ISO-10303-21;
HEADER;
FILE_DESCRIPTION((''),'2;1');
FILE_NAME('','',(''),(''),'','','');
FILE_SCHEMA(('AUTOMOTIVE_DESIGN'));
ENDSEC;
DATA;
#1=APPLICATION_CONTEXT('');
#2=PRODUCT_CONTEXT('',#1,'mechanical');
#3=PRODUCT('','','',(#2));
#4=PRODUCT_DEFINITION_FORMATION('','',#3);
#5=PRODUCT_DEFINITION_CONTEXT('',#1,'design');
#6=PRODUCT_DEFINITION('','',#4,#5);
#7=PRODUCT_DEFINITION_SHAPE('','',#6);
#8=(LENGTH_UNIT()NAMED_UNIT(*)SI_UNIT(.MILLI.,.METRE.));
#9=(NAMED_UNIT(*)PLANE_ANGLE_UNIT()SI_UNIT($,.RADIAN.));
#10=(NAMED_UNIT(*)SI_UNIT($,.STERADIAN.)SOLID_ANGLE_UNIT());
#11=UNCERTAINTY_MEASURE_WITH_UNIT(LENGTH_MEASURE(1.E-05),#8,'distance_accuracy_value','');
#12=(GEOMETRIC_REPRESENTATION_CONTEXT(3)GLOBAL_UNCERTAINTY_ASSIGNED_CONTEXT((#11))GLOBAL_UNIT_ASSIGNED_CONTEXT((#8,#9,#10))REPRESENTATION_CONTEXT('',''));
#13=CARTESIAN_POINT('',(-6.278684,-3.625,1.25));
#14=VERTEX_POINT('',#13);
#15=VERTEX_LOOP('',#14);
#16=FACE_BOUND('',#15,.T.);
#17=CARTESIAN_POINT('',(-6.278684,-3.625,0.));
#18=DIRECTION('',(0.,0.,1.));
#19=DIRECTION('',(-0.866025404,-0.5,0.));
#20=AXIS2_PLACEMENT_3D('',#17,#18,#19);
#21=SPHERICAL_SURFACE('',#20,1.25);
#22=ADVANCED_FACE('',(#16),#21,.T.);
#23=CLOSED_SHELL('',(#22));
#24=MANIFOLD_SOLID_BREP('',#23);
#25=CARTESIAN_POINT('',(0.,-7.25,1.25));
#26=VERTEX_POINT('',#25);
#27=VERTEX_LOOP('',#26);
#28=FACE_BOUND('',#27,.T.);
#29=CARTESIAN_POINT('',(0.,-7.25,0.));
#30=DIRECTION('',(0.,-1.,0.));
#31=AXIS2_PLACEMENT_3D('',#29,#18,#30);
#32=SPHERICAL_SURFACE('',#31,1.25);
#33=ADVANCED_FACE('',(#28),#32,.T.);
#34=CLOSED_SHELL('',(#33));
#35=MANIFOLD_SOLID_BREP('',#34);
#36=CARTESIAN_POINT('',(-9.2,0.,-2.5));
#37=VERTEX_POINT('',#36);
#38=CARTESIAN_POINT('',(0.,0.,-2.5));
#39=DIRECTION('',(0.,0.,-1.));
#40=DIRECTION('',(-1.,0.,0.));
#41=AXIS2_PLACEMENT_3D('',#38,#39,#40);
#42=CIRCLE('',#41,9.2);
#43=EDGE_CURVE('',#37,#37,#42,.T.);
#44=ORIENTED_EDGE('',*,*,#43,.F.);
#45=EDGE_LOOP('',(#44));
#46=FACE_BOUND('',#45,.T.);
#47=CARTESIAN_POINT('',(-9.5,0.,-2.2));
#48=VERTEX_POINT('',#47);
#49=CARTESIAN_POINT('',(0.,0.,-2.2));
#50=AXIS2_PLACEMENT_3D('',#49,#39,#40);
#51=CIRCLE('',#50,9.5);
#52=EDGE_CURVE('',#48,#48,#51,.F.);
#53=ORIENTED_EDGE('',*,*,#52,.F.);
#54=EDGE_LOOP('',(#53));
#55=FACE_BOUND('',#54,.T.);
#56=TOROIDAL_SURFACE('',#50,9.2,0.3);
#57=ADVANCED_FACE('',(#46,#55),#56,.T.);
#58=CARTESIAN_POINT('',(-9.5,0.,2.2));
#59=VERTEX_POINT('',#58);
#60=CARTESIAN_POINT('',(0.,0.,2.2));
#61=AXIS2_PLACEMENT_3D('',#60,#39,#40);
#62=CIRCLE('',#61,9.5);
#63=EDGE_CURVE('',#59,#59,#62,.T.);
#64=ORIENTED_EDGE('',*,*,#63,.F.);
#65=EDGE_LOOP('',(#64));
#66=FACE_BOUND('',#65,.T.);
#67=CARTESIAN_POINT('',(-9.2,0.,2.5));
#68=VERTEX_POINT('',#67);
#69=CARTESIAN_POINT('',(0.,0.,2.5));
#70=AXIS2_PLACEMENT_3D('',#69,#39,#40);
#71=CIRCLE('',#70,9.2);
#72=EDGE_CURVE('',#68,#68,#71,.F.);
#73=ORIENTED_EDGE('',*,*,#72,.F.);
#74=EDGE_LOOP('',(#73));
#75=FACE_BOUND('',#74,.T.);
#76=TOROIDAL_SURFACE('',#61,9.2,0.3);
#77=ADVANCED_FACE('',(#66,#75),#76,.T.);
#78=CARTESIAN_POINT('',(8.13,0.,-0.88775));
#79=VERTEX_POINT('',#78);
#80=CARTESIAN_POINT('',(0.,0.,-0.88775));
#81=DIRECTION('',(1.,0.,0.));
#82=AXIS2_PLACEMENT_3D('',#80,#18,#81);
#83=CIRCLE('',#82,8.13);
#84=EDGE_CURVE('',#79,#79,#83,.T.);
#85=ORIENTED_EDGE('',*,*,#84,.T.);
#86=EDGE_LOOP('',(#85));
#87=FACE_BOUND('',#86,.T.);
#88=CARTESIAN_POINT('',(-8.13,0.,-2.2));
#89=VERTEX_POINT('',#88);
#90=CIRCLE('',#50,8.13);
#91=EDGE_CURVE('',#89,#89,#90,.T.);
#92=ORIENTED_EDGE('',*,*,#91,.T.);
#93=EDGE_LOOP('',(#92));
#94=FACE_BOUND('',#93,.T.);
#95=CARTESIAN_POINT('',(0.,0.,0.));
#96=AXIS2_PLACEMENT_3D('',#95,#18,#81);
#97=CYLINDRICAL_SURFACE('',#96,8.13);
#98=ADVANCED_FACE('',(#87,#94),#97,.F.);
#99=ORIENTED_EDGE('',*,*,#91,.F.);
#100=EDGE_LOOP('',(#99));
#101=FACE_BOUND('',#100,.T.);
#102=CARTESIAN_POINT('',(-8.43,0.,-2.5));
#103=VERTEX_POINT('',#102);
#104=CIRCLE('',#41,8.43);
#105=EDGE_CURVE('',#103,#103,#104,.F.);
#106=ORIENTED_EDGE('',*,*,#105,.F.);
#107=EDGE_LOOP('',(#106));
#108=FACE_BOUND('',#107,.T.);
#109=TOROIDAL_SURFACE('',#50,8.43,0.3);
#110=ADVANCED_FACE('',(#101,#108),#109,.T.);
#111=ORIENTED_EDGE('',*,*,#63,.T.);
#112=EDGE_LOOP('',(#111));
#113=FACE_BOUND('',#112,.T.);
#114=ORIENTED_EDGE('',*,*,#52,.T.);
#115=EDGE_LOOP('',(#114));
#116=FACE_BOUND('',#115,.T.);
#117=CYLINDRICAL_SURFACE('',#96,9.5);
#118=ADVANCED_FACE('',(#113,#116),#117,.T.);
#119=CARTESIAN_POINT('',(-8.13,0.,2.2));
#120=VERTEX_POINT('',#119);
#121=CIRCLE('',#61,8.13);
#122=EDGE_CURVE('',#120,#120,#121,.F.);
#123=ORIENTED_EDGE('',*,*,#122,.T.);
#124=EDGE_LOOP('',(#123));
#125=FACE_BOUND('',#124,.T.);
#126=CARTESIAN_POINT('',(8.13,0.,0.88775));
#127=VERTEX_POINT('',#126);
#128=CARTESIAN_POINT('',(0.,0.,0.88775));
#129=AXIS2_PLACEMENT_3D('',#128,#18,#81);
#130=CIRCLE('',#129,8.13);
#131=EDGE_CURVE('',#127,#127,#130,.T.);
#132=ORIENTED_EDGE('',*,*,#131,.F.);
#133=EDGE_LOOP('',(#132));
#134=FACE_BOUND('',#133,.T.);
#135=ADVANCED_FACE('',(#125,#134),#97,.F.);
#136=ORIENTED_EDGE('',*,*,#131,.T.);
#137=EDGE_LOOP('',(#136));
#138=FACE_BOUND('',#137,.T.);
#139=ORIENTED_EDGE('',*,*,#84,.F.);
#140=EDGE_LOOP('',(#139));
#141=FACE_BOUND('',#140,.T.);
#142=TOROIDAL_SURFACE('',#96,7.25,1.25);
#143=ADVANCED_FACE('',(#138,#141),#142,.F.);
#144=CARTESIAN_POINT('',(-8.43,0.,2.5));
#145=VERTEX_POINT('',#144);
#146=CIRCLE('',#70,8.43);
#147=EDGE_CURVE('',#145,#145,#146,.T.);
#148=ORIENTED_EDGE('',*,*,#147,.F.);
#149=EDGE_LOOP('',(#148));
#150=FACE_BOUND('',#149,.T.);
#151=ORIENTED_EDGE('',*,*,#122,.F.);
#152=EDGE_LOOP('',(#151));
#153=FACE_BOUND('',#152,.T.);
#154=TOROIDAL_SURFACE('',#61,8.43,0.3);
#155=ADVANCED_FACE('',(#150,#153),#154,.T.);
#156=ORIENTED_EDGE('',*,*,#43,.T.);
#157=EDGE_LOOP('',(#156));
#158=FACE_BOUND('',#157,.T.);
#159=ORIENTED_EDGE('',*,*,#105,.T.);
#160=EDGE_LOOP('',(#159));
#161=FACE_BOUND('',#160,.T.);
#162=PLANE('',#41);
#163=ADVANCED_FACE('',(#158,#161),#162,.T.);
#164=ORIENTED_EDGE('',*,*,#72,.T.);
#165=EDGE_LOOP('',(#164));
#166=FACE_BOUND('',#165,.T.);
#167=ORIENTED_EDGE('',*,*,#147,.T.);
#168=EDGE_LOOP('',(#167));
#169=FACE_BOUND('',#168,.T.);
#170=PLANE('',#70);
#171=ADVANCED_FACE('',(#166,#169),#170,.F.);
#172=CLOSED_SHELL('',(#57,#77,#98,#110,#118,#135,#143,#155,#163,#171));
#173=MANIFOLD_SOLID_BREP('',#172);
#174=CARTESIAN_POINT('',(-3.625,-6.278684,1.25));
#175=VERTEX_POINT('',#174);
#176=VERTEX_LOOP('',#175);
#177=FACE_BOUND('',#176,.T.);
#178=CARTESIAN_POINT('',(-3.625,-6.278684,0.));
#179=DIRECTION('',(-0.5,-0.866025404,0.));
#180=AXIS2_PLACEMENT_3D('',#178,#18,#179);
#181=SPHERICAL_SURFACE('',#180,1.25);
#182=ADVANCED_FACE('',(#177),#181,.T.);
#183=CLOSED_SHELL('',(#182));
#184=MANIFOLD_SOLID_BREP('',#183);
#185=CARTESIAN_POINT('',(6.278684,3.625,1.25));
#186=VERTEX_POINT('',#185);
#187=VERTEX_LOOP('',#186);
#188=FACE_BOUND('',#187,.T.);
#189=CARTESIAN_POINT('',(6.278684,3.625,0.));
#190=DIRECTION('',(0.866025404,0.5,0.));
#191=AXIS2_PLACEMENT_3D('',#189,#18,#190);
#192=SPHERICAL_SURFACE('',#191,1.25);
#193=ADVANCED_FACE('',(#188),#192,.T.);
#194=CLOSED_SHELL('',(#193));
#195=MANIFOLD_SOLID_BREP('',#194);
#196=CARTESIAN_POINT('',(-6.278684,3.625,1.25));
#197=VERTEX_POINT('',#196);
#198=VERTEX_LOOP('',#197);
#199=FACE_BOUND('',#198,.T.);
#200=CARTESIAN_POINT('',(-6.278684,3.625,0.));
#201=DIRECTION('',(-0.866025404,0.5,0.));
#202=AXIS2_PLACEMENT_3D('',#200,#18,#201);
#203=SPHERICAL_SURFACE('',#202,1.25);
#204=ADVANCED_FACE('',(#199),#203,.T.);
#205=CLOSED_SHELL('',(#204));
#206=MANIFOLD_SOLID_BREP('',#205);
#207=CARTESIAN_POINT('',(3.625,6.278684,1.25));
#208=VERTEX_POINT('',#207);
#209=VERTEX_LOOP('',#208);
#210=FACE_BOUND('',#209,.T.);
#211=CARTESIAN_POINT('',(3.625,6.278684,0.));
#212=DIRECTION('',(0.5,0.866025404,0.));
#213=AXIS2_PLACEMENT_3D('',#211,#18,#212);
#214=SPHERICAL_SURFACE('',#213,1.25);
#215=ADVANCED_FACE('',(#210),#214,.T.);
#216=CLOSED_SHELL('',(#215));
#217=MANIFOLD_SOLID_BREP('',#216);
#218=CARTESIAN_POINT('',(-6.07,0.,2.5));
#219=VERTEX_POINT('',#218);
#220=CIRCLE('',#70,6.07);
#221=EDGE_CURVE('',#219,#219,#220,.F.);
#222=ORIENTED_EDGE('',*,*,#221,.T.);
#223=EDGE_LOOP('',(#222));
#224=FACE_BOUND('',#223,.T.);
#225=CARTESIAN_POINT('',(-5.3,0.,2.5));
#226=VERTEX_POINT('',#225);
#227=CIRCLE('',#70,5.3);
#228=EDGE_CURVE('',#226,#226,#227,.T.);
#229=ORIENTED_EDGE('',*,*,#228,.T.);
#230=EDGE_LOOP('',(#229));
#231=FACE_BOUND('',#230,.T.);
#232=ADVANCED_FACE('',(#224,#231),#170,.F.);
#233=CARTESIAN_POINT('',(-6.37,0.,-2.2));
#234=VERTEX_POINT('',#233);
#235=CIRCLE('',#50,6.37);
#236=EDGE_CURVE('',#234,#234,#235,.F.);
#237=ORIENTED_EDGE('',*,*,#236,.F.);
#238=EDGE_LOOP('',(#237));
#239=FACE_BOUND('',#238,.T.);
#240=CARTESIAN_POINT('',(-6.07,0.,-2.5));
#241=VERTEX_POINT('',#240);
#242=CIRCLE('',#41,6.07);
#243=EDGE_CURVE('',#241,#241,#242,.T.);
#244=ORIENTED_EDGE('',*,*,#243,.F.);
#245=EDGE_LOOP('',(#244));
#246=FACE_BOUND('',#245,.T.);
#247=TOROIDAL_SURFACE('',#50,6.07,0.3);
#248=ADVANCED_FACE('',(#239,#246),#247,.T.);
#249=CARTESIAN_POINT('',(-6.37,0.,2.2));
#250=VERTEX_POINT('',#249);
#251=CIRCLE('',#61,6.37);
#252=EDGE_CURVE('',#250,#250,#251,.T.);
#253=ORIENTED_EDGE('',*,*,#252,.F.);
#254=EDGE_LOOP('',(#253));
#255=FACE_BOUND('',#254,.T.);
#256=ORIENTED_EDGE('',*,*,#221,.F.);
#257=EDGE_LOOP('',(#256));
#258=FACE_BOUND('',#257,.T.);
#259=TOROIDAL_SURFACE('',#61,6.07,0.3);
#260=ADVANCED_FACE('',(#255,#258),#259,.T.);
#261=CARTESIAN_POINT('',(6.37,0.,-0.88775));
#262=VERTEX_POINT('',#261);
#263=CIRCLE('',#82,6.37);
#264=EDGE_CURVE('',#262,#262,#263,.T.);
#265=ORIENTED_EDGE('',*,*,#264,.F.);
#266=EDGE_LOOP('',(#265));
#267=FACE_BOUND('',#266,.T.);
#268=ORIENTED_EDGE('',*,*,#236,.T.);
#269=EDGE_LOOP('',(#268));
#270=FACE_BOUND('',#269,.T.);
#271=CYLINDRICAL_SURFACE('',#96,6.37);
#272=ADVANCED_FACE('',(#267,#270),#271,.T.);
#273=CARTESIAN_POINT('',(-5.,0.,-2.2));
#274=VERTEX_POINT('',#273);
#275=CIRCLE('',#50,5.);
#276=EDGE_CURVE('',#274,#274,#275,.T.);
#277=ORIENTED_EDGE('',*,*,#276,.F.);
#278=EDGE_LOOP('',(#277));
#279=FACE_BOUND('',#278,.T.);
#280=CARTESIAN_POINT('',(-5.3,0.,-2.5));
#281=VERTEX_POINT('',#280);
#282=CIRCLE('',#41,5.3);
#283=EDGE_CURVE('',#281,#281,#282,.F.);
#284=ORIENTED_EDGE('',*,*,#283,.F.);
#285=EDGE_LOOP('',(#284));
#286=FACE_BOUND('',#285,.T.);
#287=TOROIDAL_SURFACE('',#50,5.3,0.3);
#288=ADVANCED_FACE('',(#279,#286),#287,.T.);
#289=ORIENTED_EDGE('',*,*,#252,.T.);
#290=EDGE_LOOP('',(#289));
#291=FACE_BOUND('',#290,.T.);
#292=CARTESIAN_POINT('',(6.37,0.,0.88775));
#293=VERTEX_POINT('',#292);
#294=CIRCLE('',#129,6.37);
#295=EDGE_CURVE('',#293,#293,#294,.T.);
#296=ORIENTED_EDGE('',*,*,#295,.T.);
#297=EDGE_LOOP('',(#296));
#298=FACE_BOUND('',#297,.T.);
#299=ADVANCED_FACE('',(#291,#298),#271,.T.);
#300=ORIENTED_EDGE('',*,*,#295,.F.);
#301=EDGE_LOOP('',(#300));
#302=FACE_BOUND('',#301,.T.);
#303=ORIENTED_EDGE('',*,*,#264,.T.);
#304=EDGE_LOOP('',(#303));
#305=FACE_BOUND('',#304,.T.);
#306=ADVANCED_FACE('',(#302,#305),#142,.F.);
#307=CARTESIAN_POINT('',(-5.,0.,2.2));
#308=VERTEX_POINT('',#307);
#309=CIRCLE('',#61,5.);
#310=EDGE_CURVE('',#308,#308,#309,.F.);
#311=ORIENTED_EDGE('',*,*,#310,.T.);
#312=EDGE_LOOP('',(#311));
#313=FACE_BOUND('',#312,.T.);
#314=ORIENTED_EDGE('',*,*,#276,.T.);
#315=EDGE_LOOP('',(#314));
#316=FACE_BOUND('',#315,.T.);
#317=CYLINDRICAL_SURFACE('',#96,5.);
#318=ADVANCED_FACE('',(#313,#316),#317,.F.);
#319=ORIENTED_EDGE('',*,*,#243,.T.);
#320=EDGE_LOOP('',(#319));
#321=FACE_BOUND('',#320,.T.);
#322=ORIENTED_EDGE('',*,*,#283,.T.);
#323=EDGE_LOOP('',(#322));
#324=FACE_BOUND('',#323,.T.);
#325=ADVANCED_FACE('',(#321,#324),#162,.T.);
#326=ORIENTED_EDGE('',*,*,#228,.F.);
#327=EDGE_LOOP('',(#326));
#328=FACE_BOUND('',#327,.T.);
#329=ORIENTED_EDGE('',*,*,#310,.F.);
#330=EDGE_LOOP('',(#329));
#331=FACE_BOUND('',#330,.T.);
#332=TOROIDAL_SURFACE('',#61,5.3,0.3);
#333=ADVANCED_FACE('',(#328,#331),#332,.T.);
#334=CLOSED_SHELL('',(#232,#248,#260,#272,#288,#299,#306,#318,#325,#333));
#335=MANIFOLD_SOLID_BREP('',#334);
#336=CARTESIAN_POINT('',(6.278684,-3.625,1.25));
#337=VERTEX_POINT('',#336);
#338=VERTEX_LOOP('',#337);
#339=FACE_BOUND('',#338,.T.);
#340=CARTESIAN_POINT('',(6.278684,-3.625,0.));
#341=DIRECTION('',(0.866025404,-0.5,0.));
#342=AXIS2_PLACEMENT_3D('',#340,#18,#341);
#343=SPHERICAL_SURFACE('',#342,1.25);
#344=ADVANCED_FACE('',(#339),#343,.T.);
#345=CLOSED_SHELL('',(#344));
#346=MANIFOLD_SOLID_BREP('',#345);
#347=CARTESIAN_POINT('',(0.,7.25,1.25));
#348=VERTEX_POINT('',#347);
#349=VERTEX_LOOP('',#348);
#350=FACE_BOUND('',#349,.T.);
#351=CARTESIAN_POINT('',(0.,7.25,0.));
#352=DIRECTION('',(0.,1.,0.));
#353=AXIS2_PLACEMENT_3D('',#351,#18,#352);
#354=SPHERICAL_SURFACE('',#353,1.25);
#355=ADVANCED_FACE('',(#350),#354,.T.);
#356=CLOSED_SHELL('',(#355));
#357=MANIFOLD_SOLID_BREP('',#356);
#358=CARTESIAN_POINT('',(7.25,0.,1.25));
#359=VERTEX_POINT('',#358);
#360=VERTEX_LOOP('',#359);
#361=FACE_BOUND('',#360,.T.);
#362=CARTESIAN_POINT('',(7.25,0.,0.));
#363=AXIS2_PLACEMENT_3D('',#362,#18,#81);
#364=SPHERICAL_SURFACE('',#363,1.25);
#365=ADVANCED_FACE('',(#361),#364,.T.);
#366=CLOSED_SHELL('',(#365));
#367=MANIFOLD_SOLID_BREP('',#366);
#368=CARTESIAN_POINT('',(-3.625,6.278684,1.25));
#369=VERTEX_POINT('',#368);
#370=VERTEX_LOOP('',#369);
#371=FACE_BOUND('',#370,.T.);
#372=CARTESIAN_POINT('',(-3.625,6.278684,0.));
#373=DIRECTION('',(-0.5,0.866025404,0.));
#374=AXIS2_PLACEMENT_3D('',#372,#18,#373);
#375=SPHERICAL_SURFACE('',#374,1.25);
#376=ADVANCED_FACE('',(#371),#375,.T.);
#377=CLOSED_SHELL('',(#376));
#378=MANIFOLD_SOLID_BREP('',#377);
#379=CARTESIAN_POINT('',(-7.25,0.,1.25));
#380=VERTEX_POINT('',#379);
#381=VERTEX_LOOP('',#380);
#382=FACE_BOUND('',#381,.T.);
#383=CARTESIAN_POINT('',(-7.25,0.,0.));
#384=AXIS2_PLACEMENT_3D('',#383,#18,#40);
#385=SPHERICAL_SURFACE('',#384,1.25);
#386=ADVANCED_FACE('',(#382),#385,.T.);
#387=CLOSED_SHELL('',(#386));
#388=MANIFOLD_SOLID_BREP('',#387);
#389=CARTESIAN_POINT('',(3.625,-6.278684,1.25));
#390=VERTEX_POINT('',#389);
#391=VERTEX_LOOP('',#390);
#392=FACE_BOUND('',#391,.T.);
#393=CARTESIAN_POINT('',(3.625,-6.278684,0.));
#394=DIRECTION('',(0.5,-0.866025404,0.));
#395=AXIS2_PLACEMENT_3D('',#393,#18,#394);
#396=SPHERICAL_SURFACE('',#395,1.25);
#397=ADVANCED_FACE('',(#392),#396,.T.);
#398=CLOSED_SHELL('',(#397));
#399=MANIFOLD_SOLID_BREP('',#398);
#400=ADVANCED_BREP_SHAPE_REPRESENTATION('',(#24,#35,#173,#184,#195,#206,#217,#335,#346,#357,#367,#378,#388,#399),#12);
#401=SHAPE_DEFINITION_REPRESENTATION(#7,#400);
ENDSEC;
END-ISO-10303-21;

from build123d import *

# Parameters (mm, degrees)
KREISMUSTER4_COUNT = 12
VERRUNDUNG1_R      = 0.3
VERRUNDUNG2_R      = 0.3


with BuildPart() as part:
    # Skizze1 → Rotation1 (revolve)
    with BuildSketch(Plane(origin=(0, 0, 0), x_dir=(0, 0, -1), z_dir=(1, 0, 0))):
        with BuildLine():
            Line((2.5, 9.5), (-2.5, 9.5))
            Line((-2.5, 9.5), (-2.5, 8.13))
            Line((-2.5, 8.13), (-0.887749965, 8.13))
            ThreePointArc((-0.887749965, 8.13), (0, 8.5), (0.887749965, 8.13))
            Line((0.887749965, 8.13), (2.5, 8.13))
            Line((2.5, 8.13), (2.5, 9.5))
        make_face()
        with BuildLine():
            ThreePointArc((0.887749965, 6.37), (0, 6), (-0.887749965, 6.37))
            Line((-0.887749965, 6.37), (-2.5, 6.37))
            Line((-2.5, 6.37), (-2.5, 5))
            Line((-2.5, 5), (2.5, 5))
            Line((2.5, 5), (2.5, 6.37))
            Line((2.5, 6.37), (0.887749965, 6.37))
        make_face()
    revolve(axis=Axis((0, 0, 0), (0, 0, -1)))

    # Verrundung1
    verrundung1_edges = [part.edges().sort_by_distance(p)[0] for p in [
        (0, -8.13, -2.5),
        (0, -8.13, 2.5),
        (0, -9.5, -2.5),
        (0, -9.5, 2.5),
    ]]
    fillet(verrundung1_edges, radius=VERRUNDUNG1_R)

    # Verrundung2
    verrundung2_edges = [part.edges().sort_by_distance(p)[0] for p in [
        (0, -6.37, -2.5),
        (0, -5, -2.5),
        (0, -6.37, 2.5),
        (0, -5, 2.5),
    ]]
    fillet(verrundung2_edges, radius=VERRUNDUNG2_R)


with BuildPart() as body_2:
    # Skizze1<5> → Rotation3 (revolve)
    with BuildSketch(Plane(origin=(0, 0, 0), x_dir=(0, 0, -1), z_dir=(1, 0, 0))):
        with BuildLine():
            ThreePointArc((0.887749965, 8.13), (0, 8.5), (-0.887749965, 8.13))
            ThreePointArc((-0.887749965, 8.13), (-1.155895206, 7.725821681), (-1.25, 7.25))
            Line((-1.25, 7.25), (1.25, 7.25))
            ThreePointArc((1.25, 7.25), (1.155895206, 7.725821681), (0.887749965, 8.13))
        make_face()
    revolve(axis=Axis((0, 7.25, 1.25), (0, 0, -1)))


with BuildPart() as kreismuster4_1:
    # Kreismuster4: pattern copy
    add(body_2.part.rotate(Axis((0, 0, -2.5), (0, 0, 1)), 1 * 360 / KREISMUSTER4_COUNT))


with BuildPart() as kreismuster4_2:
    # Kreismuster4: pattern copy
    add(body_2.part.rotate(Axis((0, 0, -2.5), (0, 0, 1)), 2 * 360 / KREISMUSTER4_COUNT))


with BuildPart() as kreismuster4_3:
    # Kreismuster4: pattern copy
    add(body_2.part.rotate(Axis((0, 0, -2.5), (0, 0, 1)), 3 * 360 / KREISMUSTER4_COUNT))


with BuildPart() as kreismuster4_4:
    # Kreismuster4: pattern copy
    add(body_2.part.rotate(Axis((0, 0, -2.5), (0, 0, 1)), 4 * 360 / KREISMUSTER4_COUNT))


with BuildPart() as kreismuster4_5:
    # Kreismuster4: pattern copy
    add(body_2.part.rotate(Axis((0, 0, -2.5), (0, 0, 1)), 5 * 360 / KREISMUSTER4_COUNT))


with BuildPart() as kreismuster4_6:
    # Kreismuster4: pattern copy
    add(body_2.part.rotate(Axis((0, 0, -2.5), (0, 0, 1)), 6 * 360 / KREISMUSTER4_COUNT))


with BuildPart() as kreismuster4_7:
    # Kreismuster4: pattern copy
    add(body_2.part.rotate(Axis((0, 0, -2.5), (0, 0, 1)), 7 * 360 / KREISMUSTER4_COUNT))


with BuildPart() as kreismuster4_8:
    # Kreismuster4: pattern copy
    add(body_2.part.rotate(Axis((0, 0, -2.5), (0, 0, 1)), 8 * 360 / KREISMUSTER4_COUNT))


with BuildPart() as kreismuster4_9:
    # Kreismuster4: pattern copy
    add(body_2.part.rotate(Axis((0, 0, -2.5), (0, 0, 1)), 9 * 360 / KREISMUSTER4_COUNT))


with BuildPart() as kreismuster4_10:
    # Kreismuster4: pattern copy
    add(body_2.part.rotate(Axis((0, 0, -2.5), (0, 0, 1)), 10 * 360 / KREISMUSTER4_COUNT))


with BuildPart() as kreismuster4_11:
    # Kreismuster4: pattern copy
    add(body_2.part.rotate(Axis((0, 0, -2.5), (0, 0, 1)), 11 * 360 / KREISMUSTER4_COUNT))


solid = Compound([part.part, body_2.part, kreismuster4_1.part, kreismuster4_2.part, kreismuster4_3.part, kreismuster4_4.part, kreismuster4_5.part, kreismuster4_6.part, kreismuster4_7.part, kreismuster4_8.part, kreismuster4_9.part, kreismuster4_10.part, kreismuster4_11.part])
